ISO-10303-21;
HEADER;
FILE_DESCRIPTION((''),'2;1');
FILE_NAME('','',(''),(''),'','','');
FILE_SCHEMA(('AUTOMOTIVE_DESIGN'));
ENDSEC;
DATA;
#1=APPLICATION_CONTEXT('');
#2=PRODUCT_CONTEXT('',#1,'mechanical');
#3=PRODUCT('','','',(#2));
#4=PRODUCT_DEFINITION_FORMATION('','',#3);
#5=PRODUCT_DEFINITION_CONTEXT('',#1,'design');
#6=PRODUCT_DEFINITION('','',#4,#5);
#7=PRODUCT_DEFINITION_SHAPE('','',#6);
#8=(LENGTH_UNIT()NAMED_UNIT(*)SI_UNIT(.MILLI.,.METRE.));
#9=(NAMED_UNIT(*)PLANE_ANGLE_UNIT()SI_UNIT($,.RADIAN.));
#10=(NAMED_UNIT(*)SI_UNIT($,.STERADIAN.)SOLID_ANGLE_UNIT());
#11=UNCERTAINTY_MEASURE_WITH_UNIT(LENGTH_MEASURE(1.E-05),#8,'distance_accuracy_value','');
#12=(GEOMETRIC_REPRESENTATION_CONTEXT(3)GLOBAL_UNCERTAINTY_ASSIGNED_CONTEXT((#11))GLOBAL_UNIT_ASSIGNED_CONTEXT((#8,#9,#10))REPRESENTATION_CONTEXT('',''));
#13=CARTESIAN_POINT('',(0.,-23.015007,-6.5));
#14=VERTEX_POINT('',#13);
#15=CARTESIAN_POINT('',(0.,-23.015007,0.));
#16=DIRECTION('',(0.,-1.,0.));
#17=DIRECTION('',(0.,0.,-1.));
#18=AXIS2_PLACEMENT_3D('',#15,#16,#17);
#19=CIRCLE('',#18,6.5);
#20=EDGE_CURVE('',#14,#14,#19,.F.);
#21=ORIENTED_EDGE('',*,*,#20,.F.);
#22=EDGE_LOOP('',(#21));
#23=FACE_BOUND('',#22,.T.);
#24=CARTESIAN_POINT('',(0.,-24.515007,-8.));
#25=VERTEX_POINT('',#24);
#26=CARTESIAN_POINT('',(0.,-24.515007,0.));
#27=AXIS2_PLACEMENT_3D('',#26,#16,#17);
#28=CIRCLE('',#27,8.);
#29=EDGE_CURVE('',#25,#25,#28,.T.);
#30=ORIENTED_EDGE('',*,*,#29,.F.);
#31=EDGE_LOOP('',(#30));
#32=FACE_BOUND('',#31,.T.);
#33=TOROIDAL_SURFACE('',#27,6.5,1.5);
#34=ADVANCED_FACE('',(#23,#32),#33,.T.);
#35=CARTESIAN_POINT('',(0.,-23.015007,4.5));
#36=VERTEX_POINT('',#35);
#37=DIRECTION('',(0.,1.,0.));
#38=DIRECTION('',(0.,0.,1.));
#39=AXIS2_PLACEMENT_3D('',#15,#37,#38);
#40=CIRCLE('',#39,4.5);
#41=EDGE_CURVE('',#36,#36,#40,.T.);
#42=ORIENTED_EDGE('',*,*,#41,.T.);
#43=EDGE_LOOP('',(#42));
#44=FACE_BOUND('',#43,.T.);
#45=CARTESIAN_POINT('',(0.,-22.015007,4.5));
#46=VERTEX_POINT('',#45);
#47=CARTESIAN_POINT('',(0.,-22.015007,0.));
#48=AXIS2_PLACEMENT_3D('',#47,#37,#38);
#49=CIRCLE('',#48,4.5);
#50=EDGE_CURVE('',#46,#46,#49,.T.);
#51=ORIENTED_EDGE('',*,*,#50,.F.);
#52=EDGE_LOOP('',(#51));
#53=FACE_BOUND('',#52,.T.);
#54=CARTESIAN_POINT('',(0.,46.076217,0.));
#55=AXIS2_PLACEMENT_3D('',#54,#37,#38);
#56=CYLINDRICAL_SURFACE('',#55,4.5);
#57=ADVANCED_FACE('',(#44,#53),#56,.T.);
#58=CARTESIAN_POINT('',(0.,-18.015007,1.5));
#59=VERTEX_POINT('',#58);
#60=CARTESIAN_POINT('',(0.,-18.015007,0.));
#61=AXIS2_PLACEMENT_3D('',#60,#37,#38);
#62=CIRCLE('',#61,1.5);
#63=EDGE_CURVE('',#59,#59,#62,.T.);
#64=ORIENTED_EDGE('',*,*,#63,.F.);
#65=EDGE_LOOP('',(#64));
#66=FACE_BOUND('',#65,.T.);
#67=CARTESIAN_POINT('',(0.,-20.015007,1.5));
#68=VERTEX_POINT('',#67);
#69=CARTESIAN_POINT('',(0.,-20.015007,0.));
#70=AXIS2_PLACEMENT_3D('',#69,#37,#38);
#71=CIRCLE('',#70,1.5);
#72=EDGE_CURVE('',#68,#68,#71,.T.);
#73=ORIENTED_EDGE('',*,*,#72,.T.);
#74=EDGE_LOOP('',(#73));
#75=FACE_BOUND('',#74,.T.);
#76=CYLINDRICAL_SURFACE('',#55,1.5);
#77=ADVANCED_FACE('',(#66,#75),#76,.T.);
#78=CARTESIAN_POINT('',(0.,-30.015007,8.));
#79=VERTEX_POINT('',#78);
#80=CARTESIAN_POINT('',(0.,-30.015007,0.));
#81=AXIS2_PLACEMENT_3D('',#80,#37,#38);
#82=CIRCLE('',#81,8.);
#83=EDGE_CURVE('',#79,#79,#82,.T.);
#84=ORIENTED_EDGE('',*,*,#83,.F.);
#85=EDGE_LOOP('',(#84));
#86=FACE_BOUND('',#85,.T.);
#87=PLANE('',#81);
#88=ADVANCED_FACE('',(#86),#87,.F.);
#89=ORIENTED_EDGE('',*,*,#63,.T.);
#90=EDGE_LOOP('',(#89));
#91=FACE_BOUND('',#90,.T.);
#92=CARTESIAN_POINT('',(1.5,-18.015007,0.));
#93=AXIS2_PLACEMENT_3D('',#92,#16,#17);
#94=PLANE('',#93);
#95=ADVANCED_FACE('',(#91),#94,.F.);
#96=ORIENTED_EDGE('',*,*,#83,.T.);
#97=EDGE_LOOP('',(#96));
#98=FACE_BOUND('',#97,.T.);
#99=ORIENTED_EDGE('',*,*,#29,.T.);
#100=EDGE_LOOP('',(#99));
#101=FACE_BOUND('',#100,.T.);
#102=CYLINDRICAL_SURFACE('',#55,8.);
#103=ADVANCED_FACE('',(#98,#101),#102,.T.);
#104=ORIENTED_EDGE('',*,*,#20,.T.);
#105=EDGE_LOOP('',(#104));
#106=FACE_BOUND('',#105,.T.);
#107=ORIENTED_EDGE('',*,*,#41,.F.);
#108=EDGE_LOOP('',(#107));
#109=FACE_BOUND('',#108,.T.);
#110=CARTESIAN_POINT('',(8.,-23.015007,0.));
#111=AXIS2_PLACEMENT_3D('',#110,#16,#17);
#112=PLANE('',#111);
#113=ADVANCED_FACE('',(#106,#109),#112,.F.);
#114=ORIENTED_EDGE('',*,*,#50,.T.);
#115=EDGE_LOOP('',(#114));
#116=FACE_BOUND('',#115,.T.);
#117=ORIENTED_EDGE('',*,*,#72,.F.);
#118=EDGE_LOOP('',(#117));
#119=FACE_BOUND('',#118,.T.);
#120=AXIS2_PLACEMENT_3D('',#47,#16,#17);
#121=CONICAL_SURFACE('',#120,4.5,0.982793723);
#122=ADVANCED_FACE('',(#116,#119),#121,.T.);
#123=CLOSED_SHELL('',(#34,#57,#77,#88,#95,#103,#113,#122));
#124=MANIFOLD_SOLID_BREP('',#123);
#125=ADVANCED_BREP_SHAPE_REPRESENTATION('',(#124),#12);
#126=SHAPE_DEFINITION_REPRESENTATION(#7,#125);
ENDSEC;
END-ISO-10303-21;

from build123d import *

# Parameters (mm, degrees)
FILLET2_R = 1.5


with BuildPart() as part:
    # Sketch2 → Revolve1 (revolve)
    with BuildSketch(Plane.XY):
        Polygon((0, -30.015007431), (8, -30.015007431), (8, -23.015007431), (4.5, -23.015007431), (4.5, -22.015007431), (1.5, -20.015007431), (1.5, -18.015007431), (0, -18.015007431), align=None)
    revolve(axis=Axis((0, 46.076216781, 0), (0, -1, 0)))

    # Fillet2
    fillet2_edges = [part.edges().sort_by_distance(p)[0] for p in [
        (-8, -23.015007431, 0),
    ]]
    fillet(fillet2_edges, radius=FILLET2_R)


solid = part.part
